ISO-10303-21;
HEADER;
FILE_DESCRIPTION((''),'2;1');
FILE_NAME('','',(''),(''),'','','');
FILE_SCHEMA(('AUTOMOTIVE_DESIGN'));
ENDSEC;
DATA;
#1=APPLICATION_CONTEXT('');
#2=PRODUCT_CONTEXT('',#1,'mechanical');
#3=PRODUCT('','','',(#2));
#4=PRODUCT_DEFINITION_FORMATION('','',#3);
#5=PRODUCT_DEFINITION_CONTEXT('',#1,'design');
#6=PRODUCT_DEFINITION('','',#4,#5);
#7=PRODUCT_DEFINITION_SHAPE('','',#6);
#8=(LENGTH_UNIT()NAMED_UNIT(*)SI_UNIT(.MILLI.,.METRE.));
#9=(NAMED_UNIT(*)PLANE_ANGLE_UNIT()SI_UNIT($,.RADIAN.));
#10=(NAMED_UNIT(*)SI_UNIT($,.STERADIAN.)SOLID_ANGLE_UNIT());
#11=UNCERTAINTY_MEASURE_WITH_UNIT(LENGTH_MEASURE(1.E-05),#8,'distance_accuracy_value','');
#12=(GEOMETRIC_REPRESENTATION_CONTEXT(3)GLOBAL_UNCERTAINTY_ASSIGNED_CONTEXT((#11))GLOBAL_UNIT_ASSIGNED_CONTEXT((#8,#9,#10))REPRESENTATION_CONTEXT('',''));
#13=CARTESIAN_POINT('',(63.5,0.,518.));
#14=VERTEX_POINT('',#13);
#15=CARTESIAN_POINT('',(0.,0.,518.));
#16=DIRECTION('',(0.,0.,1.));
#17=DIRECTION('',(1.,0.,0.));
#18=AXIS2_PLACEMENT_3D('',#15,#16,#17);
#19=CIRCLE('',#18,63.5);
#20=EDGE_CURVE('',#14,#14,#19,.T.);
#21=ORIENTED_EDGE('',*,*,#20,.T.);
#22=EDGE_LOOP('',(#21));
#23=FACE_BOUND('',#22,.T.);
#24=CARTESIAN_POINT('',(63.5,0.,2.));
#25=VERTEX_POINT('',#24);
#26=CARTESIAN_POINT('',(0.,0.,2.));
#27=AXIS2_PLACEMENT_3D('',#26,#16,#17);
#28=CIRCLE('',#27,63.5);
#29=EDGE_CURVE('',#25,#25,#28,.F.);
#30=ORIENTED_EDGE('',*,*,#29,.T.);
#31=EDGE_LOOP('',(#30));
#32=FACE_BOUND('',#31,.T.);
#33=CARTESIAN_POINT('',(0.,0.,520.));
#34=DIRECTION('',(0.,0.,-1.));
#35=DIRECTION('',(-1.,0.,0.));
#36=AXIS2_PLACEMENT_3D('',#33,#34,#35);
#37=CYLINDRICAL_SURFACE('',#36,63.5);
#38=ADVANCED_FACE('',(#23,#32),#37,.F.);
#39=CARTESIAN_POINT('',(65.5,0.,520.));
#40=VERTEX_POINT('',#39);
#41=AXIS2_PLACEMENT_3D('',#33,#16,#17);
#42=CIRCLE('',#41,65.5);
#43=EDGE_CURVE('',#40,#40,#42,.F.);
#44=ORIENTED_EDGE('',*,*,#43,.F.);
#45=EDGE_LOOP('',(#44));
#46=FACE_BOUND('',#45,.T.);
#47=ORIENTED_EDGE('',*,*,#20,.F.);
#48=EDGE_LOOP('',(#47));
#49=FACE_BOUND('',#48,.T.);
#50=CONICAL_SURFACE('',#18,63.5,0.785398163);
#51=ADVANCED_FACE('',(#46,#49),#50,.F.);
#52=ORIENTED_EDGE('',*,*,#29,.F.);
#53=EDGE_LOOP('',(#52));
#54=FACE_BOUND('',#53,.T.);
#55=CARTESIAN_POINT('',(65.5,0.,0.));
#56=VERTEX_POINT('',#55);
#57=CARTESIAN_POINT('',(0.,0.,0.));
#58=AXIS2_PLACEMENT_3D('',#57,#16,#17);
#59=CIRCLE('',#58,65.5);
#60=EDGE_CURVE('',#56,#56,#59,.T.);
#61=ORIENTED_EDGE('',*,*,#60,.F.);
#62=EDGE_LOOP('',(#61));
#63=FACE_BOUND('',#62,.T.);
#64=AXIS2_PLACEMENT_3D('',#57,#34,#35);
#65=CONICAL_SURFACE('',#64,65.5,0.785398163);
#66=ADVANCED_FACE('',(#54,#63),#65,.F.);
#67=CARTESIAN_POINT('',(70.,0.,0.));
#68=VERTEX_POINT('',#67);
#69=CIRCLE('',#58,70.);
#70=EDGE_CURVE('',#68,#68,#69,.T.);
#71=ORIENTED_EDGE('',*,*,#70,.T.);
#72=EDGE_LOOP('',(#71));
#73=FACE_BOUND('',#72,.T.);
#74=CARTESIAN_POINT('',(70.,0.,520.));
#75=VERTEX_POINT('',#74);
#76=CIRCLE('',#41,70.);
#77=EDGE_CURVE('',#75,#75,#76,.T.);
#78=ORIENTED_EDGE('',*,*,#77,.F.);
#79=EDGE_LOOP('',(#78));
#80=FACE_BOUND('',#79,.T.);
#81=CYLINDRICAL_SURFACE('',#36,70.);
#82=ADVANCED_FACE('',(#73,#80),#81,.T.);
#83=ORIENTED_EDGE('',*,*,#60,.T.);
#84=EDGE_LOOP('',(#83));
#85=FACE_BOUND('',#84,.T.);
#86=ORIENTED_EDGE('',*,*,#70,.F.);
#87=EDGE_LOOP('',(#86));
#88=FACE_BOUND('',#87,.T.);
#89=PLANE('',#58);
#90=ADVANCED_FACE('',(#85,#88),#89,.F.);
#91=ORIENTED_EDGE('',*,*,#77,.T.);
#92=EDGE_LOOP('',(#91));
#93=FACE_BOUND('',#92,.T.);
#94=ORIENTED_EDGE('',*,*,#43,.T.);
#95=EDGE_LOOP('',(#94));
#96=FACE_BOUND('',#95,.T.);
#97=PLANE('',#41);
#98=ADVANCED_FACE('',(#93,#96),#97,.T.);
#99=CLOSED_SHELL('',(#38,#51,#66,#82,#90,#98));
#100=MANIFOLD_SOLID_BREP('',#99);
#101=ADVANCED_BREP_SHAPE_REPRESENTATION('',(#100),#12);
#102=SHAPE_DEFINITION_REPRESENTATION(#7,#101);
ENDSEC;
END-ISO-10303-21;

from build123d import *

# Parameters (mm, degrees)
IZIM1_R                     = 70
IZIM1_R_2                   = 63.5
Y_KSEKLIK_EKSTR_ZYON1_DEPTH = 520
PAH1_SIZE                   = 2


with BuildPart() as part:
    # Çizim1 → Yükseklik-Ekstrüzyon1 (new body)
    with BuildSketch(Plane.XY):
        Circle(IZIM1_R)
        Circle(IZIM1_R_2, mode=Mode.SUBTRACT)
    extrude(amount=Y_KSEKLIK_EKSTR_ZYON1_DEPTH)

    # Pah1
    pah1_edges = [part.edges().sort_by_distance(p)[0] for p in [
        (-63.5, 0, 0),
        (-63.5, 0, 520),
    ]]
    chamfer(pah1_edges, length=PAH1_SIZE)


solid = part.part
